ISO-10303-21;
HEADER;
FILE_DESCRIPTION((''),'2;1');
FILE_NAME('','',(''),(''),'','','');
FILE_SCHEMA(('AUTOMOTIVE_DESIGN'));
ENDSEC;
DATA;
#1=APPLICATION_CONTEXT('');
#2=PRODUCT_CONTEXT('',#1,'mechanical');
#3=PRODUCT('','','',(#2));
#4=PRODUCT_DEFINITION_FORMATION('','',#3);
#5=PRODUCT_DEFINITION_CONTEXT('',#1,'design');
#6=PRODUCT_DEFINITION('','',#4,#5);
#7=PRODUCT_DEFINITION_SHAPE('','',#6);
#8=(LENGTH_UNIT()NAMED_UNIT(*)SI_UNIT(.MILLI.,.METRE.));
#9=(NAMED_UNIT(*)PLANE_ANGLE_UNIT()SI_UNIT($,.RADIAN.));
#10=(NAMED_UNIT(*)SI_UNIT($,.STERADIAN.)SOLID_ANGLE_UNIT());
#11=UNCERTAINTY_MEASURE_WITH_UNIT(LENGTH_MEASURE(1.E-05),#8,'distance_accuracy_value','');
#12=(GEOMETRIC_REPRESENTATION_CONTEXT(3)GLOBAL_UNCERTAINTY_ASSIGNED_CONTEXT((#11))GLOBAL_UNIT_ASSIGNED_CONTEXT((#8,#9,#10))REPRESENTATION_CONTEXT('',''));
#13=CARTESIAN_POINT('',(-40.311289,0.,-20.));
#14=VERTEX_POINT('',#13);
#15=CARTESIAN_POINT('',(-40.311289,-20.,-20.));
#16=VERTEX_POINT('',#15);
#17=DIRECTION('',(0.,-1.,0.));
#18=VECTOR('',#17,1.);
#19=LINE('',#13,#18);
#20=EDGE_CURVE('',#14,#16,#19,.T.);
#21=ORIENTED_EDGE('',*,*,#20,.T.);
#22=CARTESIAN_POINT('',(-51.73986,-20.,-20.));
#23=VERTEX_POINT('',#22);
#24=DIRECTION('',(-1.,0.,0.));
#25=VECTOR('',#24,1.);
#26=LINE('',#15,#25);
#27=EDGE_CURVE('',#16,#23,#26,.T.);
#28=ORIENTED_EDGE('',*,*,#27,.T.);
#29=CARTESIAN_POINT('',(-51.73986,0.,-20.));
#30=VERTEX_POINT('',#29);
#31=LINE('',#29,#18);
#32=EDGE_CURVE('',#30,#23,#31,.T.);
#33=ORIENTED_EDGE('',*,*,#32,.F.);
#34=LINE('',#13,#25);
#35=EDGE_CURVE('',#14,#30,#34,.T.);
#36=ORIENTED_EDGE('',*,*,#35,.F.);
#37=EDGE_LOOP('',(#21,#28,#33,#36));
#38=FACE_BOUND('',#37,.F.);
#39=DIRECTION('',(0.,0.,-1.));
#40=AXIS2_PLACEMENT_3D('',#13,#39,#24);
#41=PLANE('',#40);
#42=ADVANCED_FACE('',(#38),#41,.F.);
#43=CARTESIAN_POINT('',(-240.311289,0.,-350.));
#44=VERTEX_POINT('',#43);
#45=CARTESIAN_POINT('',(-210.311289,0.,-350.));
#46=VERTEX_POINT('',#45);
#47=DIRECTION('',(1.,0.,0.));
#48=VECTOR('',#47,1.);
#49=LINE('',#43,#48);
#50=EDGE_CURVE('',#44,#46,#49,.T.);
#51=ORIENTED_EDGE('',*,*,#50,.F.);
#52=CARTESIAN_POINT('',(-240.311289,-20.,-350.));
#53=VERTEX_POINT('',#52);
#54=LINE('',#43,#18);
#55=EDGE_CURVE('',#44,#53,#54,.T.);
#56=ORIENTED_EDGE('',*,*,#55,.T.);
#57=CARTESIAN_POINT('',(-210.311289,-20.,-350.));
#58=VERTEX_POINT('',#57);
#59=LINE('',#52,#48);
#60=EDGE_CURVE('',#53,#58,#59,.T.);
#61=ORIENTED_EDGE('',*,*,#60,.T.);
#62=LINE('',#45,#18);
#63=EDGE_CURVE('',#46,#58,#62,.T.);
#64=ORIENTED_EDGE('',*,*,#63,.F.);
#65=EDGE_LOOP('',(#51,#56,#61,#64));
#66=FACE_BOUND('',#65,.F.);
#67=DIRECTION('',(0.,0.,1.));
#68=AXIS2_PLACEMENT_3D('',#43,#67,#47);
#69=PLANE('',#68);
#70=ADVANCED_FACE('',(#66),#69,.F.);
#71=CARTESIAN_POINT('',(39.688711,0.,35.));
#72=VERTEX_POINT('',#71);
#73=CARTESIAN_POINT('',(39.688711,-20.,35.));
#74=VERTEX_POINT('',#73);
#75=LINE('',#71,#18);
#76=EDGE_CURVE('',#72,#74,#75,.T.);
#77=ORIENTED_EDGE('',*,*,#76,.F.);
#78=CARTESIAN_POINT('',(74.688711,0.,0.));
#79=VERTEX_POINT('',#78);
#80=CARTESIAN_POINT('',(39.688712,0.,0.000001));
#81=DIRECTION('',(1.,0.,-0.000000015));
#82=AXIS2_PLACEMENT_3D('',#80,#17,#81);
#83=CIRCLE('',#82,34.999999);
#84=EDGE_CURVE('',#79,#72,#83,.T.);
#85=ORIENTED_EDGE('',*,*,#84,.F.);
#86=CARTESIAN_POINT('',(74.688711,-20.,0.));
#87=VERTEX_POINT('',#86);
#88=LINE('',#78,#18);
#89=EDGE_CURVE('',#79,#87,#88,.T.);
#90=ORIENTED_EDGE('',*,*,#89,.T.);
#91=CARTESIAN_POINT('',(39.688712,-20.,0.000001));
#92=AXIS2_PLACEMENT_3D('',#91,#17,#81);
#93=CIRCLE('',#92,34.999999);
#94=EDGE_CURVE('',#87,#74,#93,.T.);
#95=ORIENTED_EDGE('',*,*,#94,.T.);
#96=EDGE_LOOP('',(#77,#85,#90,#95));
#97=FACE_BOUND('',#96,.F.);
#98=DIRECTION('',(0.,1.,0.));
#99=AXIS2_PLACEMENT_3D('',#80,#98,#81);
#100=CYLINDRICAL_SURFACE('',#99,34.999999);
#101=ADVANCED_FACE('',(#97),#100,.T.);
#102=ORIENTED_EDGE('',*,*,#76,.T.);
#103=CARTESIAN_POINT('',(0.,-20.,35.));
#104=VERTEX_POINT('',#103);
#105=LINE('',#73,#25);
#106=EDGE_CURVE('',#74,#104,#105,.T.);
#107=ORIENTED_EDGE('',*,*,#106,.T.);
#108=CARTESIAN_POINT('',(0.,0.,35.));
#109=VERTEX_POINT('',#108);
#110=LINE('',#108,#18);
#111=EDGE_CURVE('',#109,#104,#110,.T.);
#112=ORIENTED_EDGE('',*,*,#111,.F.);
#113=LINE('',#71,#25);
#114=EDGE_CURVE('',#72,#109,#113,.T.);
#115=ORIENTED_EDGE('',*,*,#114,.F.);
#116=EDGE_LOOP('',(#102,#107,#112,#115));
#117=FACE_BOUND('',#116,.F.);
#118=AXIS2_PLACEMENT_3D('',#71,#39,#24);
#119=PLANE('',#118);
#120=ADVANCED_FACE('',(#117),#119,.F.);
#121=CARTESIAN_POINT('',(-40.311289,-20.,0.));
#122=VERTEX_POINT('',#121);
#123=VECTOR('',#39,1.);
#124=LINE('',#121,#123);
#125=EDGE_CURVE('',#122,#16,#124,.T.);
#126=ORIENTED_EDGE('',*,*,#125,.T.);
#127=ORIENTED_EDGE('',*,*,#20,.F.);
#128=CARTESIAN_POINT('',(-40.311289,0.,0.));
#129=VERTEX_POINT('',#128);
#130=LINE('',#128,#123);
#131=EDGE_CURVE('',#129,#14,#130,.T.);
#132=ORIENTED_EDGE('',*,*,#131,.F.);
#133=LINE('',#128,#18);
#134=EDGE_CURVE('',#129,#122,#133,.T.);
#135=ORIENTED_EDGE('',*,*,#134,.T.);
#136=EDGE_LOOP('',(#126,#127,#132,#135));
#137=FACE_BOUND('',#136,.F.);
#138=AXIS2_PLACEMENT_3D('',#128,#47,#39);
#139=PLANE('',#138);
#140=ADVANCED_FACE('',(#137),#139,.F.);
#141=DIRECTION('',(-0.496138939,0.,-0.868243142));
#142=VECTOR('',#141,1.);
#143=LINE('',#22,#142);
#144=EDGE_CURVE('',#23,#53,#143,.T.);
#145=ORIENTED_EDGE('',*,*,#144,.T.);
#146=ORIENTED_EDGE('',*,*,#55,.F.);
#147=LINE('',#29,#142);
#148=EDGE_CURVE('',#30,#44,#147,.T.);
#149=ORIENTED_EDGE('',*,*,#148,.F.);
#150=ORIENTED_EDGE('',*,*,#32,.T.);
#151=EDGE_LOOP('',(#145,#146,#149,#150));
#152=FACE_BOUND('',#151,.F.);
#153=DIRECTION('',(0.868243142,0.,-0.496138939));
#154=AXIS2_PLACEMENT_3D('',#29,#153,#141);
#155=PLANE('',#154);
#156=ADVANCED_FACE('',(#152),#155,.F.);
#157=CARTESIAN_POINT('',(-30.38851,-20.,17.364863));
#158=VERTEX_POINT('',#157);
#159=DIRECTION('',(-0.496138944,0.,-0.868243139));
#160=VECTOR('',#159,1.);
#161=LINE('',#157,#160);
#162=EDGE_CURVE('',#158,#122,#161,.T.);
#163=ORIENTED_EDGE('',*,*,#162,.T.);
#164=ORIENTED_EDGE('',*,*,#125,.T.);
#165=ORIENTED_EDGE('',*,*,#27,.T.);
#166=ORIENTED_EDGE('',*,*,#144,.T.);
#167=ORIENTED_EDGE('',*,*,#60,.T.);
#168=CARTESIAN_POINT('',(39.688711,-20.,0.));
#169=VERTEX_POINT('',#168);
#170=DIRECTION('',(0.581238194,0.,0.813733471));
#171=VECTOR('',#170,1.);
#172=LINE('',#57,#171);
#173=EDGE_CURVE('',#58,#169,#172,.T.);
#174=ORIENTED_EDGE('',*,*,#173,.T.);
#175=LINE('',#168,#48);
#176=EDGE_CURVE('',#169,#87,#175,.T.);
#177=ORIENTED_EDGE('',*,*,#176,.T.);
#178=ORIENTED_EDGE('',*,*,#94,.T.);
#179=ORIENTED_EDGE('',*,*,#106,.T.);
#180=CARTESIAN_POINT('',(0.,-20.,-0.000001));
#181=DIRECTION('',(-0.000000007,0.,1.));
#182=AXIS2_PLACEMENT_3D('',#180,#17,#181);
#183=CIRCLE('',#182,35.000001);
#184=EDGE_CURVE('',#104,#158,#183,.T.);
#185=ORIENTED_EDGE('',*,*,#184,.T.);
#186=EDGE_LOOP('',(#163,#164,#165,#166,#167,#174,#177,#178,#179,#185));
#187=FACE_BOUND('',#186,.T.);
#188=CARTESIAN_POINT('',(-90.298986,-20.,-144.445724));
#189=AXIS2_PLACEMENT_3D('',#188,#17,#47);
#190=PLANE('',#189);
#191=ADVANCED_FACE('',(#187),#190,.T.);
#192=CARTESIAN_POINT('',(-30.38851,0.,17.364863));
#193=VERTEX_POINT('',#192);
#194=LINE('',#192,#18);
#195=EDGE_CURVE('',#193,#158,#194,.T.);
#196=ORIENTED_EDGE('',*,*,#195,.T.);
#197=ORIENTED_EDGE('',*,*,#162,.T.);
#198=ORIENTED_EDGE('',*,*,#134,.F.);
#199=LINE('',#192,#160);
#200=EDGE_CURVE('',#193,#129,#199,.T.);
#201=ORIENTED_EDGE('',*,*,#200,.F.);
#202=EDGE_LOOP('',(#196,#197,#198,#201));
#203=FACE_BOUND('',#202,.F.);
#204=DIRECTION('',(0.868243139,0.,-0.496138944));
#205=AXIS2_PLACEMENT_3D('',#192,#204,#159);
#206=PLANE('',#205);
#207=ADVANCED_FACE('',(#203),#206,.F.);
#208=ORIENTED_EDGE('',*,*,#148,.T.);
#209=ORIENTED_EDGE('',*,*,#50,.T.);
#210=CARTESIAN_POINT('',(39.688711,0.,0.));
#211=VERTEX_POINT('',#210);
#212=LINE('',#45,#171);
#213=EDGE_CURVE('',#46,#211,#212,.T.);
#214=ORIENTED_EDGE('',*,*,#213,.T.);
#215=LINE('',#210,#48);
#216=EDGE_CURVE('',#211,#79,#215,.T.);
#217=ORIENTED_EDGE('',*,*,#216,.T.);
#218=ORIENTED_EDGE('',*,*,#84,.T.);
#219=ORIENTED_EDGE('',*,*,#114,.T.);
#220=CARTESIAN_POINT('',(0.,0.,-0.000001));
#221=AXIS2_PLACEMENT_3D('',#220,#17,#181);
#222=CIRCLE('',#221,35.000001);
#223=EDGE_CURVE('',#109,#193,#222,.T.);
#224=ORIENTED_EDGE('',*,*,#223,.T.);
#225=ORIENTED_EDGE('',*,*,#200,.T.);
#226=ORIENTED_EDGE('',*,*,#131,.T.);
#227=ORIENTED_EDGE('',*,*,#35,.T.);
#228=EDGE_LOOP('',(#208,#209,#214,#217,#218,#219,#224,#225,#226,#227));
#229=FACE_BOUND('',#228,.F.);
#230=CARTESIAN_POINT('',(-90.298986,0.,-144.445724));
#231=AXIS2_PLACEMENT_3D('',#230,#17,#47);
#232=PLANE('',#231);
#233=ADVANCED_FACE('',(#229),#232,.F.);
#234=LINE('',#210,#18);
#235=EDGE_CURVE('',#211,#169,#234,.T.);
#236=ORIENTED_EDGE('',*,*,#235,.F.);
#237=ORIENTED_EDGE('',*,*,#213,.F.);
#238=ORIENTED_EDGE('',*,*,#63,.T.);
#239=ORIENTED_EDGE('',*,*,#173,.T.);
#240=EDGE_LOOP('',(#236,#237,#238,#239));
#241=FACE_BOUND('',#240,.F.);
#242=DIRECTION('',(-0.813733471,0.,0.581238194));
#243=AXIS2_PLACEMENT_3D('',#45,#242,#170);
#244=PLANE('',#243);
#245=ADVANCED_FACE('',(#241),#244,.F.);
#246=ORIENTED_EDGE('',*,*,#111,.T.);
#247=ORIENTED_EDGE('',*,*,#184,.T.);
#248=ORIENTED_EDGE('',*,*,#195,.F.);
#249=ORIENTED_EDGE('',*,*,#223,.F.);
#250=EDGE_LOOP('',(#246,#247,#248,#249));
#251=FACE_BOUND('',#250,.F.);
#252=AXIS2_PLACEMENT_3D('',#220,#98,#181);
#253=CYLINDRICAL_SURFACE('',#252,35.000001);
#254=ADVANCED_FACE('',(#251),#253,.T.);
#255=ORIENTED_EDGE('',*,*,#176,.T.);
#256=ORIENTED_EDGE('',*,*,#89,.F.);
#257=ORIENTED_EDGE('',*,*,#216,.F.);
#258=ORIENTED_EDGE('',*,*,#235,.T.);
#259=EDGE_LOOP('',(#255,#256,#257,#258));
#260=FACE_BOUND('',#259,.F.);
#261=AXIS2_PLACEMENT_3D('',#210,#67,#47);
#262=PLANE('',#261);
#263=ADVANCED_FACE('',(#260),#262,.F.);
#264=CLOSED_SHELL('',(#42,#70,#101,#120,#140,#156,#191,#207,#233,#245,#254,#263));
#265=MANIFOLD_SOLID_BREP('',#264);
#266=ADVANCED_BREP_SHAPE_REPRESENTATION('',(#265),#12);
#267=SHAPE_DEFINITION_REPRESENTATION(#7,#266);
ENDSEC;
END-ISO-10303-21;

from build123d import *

# Parameters (mm, degrees)
F1_DEPTH = 20


with BuildPart() as f1:
    # F0 (on Front) → F1 (new body)
    with BuildSketch(Plane.XZ):
        with BuildLine():
            ThreePointArc((0, 35), (-17.567439, 30.271853), (-30.38851, 17.364863))
            Line((-30.38851, 17.364863), (-40.311289, 0))
            Line((-40.311289, 0), (-40.311289, -20))
            Line((-40.311289, -20), (-51.73986, -20))
            Line((-51.73986, -20), (-240.311289, -350))
            Line((-240.311289, -350), (-210.311289, -350))
            Line((-210.311289, -350), (39.688711, 0))
            Line((39.688711, 0), (74.688711, 0))
            ThreePointArc((74.688711, 0), (64.437449, 24.748737), (39.688711, 35))
            Line((39.688711, 35), (0, 35))
        make_face()
    extrude(amount=F1_DEPTH)


solid = f1.part
